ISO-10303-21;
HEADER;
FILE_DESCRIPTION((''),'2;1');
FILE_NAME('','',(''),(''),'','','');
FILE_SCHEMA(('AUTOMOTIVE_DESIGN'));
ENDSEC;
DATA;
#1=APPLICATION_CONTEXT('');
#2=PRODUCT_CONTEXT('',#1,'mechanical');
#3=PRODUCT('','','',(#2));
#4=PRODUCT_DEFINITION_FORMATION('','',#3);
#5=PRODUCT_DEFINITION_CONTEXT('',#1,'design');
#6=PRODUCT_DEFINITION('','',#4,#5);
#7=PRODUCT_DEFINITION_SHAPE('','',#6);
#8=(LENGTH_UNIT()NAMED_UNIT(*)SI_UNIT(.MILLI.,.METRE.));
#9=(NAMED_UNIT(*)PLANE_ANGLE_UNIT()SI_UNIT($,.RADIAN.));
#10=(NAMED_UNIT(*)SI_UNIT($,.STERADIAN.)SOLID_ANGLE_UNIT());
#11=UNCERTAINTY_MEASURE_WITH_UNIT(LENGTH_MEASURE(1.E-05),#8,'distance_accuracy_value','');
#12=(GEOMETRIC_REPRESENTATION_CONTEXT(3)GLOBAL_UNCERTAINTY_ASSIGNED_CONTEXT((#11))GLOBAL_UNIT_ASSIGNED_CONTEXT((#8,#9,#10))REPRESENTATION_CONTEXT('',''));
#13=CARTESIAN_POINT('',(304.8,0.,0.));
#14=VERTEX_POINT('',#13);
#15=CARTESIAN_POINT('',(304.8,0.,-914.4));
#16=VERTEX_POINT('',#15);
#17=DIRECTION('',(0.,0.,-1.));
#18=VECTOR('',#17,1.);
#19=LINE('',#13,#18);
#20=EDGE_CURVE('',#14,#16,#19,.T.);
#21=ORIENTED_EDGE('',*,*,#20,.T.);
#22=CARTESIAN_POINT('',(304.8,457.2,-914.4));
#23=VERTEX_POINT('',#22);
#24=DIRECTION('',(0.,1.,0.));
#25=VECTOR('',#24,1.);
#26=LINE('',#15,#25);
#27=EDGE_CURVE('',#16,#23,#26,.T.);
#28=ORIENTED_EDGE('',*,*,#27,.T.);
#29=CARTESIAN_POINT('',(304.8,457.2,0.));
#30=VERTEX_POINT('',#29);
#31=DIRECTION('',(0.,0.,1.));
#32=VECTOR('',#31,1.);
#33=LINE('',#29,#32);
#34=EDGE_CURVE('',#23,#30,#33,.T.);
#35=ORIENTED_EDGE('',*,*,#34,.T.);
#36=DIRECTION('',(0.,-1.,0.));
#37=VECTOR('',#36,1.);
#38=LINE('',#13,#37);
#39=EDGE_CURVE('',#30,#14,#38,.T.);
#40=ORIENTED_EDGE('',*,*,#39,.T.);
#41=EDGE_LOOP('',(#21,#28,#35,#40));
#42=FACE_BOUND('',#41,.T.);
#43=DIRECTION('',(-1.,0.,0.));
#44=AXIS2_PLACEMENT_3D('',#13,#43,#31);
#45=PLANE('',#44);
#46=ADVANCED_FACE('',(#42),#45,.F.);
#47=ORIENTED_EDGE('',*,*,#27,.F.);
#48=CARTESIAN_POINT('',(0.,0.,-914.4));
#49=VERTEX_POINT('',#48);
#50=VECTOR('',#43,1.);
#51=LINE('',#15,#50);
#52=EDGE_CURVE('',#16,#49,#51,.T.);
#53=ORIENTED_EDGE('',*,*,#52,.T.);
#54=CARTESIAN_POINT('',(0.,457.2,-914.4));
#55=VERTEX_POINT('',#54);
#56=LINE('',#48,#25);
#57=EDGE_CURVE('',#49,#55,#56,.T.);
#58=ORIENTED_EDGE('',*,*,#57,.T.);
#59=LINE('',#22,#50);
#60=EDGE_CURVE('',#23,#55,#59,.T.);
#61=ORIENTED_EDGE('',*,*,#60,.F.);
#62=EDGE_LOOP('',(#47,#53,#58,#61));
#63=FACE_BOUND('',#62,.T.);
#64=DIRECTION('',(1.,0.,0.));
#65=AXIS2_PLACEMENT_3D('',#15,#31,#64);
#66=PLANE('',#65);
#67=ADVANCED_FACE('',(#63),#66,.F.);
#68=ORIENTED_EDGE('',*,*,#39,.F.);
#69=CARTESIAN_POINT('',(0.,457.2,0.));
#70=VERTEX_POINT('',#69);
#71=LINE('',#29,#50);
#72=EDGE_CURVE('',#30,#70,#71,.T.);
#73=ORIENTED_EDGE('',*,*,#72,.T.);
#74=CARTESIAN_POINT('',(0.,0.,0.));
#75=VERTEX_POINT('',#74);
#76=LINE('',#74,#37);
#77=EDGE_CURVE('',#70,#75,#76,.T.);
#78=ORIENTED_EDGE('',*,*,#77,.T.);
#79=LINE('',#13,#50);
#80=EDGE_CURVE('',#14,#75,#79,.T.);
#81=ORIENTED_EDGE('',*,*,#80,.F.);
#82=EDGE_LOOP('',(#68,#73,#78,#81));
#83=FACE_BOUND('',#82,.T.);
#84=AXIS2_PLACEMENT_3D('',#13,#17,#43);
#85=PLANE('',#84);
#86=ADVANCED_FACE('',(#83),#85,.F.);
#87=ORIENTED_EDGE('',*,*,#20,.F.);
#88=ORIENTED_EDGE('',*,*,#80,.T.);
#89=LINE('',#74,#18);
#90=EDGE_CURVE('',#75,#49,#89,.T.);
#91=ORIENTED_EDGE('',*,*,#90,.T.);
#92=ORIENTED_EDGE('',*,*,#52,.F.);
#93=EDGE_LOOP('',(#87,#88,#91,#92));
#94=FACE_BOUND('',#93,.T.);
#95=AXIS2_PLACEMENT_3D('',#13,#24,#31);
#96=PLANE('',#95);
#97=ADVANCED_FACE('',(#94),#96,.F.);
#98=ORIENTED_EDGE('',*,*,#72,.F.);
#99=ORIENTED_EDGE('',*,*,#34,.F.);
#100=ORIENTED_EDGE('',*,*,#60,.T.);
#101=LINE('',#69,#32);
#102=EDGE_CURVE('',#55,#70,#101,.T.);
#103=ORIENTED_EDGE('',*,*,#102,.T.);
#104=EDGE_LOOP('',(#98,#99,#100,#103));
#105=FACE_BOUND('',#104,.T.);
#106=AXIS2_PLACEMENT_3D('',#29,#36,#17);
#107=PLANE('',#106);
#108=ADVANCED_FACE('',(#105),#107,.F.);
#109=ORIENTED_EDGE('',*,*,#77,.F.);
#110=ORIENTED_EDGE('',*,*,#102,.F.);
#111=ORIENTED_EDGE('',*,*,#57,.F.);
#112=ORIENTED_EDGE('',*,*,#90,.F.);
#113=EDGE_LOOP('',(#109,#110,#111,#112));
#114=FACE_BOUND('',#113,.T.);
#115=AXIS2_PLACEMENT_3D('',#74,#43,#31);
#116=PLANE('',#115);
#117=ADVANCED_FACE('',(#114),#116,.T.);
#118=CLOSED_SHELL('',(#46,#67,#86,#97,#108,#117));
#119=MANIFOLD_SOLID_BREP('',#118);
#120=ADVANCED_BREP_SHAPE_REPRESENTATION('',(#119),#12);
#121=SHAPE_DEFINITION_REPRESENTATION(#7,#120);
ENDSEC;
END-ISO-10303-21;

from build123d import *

# Parameters (mm, degrees)
SKETCH1_W                  = 914.4
SKETCH1_H                  = 457.2
MAIN_ENCLOSURE_MODEL_DEPTH = 304.8


with BuildPart() as part:
    # Sketch1 → Main Enclosure Model (new body)
    with BuildSketch(Plane(origin=(0, 0, 0), x_dir=(0, 0, -1), z_dir=(1, 0, 0))):
        with Locations((457.2, 228.6)):
            Rectangle(SKETCH1_W, SKETCH1_H)
    extrude(amount=MAIN_ENCLOSURE_MODEL_DEPTH)


solid = part.part
